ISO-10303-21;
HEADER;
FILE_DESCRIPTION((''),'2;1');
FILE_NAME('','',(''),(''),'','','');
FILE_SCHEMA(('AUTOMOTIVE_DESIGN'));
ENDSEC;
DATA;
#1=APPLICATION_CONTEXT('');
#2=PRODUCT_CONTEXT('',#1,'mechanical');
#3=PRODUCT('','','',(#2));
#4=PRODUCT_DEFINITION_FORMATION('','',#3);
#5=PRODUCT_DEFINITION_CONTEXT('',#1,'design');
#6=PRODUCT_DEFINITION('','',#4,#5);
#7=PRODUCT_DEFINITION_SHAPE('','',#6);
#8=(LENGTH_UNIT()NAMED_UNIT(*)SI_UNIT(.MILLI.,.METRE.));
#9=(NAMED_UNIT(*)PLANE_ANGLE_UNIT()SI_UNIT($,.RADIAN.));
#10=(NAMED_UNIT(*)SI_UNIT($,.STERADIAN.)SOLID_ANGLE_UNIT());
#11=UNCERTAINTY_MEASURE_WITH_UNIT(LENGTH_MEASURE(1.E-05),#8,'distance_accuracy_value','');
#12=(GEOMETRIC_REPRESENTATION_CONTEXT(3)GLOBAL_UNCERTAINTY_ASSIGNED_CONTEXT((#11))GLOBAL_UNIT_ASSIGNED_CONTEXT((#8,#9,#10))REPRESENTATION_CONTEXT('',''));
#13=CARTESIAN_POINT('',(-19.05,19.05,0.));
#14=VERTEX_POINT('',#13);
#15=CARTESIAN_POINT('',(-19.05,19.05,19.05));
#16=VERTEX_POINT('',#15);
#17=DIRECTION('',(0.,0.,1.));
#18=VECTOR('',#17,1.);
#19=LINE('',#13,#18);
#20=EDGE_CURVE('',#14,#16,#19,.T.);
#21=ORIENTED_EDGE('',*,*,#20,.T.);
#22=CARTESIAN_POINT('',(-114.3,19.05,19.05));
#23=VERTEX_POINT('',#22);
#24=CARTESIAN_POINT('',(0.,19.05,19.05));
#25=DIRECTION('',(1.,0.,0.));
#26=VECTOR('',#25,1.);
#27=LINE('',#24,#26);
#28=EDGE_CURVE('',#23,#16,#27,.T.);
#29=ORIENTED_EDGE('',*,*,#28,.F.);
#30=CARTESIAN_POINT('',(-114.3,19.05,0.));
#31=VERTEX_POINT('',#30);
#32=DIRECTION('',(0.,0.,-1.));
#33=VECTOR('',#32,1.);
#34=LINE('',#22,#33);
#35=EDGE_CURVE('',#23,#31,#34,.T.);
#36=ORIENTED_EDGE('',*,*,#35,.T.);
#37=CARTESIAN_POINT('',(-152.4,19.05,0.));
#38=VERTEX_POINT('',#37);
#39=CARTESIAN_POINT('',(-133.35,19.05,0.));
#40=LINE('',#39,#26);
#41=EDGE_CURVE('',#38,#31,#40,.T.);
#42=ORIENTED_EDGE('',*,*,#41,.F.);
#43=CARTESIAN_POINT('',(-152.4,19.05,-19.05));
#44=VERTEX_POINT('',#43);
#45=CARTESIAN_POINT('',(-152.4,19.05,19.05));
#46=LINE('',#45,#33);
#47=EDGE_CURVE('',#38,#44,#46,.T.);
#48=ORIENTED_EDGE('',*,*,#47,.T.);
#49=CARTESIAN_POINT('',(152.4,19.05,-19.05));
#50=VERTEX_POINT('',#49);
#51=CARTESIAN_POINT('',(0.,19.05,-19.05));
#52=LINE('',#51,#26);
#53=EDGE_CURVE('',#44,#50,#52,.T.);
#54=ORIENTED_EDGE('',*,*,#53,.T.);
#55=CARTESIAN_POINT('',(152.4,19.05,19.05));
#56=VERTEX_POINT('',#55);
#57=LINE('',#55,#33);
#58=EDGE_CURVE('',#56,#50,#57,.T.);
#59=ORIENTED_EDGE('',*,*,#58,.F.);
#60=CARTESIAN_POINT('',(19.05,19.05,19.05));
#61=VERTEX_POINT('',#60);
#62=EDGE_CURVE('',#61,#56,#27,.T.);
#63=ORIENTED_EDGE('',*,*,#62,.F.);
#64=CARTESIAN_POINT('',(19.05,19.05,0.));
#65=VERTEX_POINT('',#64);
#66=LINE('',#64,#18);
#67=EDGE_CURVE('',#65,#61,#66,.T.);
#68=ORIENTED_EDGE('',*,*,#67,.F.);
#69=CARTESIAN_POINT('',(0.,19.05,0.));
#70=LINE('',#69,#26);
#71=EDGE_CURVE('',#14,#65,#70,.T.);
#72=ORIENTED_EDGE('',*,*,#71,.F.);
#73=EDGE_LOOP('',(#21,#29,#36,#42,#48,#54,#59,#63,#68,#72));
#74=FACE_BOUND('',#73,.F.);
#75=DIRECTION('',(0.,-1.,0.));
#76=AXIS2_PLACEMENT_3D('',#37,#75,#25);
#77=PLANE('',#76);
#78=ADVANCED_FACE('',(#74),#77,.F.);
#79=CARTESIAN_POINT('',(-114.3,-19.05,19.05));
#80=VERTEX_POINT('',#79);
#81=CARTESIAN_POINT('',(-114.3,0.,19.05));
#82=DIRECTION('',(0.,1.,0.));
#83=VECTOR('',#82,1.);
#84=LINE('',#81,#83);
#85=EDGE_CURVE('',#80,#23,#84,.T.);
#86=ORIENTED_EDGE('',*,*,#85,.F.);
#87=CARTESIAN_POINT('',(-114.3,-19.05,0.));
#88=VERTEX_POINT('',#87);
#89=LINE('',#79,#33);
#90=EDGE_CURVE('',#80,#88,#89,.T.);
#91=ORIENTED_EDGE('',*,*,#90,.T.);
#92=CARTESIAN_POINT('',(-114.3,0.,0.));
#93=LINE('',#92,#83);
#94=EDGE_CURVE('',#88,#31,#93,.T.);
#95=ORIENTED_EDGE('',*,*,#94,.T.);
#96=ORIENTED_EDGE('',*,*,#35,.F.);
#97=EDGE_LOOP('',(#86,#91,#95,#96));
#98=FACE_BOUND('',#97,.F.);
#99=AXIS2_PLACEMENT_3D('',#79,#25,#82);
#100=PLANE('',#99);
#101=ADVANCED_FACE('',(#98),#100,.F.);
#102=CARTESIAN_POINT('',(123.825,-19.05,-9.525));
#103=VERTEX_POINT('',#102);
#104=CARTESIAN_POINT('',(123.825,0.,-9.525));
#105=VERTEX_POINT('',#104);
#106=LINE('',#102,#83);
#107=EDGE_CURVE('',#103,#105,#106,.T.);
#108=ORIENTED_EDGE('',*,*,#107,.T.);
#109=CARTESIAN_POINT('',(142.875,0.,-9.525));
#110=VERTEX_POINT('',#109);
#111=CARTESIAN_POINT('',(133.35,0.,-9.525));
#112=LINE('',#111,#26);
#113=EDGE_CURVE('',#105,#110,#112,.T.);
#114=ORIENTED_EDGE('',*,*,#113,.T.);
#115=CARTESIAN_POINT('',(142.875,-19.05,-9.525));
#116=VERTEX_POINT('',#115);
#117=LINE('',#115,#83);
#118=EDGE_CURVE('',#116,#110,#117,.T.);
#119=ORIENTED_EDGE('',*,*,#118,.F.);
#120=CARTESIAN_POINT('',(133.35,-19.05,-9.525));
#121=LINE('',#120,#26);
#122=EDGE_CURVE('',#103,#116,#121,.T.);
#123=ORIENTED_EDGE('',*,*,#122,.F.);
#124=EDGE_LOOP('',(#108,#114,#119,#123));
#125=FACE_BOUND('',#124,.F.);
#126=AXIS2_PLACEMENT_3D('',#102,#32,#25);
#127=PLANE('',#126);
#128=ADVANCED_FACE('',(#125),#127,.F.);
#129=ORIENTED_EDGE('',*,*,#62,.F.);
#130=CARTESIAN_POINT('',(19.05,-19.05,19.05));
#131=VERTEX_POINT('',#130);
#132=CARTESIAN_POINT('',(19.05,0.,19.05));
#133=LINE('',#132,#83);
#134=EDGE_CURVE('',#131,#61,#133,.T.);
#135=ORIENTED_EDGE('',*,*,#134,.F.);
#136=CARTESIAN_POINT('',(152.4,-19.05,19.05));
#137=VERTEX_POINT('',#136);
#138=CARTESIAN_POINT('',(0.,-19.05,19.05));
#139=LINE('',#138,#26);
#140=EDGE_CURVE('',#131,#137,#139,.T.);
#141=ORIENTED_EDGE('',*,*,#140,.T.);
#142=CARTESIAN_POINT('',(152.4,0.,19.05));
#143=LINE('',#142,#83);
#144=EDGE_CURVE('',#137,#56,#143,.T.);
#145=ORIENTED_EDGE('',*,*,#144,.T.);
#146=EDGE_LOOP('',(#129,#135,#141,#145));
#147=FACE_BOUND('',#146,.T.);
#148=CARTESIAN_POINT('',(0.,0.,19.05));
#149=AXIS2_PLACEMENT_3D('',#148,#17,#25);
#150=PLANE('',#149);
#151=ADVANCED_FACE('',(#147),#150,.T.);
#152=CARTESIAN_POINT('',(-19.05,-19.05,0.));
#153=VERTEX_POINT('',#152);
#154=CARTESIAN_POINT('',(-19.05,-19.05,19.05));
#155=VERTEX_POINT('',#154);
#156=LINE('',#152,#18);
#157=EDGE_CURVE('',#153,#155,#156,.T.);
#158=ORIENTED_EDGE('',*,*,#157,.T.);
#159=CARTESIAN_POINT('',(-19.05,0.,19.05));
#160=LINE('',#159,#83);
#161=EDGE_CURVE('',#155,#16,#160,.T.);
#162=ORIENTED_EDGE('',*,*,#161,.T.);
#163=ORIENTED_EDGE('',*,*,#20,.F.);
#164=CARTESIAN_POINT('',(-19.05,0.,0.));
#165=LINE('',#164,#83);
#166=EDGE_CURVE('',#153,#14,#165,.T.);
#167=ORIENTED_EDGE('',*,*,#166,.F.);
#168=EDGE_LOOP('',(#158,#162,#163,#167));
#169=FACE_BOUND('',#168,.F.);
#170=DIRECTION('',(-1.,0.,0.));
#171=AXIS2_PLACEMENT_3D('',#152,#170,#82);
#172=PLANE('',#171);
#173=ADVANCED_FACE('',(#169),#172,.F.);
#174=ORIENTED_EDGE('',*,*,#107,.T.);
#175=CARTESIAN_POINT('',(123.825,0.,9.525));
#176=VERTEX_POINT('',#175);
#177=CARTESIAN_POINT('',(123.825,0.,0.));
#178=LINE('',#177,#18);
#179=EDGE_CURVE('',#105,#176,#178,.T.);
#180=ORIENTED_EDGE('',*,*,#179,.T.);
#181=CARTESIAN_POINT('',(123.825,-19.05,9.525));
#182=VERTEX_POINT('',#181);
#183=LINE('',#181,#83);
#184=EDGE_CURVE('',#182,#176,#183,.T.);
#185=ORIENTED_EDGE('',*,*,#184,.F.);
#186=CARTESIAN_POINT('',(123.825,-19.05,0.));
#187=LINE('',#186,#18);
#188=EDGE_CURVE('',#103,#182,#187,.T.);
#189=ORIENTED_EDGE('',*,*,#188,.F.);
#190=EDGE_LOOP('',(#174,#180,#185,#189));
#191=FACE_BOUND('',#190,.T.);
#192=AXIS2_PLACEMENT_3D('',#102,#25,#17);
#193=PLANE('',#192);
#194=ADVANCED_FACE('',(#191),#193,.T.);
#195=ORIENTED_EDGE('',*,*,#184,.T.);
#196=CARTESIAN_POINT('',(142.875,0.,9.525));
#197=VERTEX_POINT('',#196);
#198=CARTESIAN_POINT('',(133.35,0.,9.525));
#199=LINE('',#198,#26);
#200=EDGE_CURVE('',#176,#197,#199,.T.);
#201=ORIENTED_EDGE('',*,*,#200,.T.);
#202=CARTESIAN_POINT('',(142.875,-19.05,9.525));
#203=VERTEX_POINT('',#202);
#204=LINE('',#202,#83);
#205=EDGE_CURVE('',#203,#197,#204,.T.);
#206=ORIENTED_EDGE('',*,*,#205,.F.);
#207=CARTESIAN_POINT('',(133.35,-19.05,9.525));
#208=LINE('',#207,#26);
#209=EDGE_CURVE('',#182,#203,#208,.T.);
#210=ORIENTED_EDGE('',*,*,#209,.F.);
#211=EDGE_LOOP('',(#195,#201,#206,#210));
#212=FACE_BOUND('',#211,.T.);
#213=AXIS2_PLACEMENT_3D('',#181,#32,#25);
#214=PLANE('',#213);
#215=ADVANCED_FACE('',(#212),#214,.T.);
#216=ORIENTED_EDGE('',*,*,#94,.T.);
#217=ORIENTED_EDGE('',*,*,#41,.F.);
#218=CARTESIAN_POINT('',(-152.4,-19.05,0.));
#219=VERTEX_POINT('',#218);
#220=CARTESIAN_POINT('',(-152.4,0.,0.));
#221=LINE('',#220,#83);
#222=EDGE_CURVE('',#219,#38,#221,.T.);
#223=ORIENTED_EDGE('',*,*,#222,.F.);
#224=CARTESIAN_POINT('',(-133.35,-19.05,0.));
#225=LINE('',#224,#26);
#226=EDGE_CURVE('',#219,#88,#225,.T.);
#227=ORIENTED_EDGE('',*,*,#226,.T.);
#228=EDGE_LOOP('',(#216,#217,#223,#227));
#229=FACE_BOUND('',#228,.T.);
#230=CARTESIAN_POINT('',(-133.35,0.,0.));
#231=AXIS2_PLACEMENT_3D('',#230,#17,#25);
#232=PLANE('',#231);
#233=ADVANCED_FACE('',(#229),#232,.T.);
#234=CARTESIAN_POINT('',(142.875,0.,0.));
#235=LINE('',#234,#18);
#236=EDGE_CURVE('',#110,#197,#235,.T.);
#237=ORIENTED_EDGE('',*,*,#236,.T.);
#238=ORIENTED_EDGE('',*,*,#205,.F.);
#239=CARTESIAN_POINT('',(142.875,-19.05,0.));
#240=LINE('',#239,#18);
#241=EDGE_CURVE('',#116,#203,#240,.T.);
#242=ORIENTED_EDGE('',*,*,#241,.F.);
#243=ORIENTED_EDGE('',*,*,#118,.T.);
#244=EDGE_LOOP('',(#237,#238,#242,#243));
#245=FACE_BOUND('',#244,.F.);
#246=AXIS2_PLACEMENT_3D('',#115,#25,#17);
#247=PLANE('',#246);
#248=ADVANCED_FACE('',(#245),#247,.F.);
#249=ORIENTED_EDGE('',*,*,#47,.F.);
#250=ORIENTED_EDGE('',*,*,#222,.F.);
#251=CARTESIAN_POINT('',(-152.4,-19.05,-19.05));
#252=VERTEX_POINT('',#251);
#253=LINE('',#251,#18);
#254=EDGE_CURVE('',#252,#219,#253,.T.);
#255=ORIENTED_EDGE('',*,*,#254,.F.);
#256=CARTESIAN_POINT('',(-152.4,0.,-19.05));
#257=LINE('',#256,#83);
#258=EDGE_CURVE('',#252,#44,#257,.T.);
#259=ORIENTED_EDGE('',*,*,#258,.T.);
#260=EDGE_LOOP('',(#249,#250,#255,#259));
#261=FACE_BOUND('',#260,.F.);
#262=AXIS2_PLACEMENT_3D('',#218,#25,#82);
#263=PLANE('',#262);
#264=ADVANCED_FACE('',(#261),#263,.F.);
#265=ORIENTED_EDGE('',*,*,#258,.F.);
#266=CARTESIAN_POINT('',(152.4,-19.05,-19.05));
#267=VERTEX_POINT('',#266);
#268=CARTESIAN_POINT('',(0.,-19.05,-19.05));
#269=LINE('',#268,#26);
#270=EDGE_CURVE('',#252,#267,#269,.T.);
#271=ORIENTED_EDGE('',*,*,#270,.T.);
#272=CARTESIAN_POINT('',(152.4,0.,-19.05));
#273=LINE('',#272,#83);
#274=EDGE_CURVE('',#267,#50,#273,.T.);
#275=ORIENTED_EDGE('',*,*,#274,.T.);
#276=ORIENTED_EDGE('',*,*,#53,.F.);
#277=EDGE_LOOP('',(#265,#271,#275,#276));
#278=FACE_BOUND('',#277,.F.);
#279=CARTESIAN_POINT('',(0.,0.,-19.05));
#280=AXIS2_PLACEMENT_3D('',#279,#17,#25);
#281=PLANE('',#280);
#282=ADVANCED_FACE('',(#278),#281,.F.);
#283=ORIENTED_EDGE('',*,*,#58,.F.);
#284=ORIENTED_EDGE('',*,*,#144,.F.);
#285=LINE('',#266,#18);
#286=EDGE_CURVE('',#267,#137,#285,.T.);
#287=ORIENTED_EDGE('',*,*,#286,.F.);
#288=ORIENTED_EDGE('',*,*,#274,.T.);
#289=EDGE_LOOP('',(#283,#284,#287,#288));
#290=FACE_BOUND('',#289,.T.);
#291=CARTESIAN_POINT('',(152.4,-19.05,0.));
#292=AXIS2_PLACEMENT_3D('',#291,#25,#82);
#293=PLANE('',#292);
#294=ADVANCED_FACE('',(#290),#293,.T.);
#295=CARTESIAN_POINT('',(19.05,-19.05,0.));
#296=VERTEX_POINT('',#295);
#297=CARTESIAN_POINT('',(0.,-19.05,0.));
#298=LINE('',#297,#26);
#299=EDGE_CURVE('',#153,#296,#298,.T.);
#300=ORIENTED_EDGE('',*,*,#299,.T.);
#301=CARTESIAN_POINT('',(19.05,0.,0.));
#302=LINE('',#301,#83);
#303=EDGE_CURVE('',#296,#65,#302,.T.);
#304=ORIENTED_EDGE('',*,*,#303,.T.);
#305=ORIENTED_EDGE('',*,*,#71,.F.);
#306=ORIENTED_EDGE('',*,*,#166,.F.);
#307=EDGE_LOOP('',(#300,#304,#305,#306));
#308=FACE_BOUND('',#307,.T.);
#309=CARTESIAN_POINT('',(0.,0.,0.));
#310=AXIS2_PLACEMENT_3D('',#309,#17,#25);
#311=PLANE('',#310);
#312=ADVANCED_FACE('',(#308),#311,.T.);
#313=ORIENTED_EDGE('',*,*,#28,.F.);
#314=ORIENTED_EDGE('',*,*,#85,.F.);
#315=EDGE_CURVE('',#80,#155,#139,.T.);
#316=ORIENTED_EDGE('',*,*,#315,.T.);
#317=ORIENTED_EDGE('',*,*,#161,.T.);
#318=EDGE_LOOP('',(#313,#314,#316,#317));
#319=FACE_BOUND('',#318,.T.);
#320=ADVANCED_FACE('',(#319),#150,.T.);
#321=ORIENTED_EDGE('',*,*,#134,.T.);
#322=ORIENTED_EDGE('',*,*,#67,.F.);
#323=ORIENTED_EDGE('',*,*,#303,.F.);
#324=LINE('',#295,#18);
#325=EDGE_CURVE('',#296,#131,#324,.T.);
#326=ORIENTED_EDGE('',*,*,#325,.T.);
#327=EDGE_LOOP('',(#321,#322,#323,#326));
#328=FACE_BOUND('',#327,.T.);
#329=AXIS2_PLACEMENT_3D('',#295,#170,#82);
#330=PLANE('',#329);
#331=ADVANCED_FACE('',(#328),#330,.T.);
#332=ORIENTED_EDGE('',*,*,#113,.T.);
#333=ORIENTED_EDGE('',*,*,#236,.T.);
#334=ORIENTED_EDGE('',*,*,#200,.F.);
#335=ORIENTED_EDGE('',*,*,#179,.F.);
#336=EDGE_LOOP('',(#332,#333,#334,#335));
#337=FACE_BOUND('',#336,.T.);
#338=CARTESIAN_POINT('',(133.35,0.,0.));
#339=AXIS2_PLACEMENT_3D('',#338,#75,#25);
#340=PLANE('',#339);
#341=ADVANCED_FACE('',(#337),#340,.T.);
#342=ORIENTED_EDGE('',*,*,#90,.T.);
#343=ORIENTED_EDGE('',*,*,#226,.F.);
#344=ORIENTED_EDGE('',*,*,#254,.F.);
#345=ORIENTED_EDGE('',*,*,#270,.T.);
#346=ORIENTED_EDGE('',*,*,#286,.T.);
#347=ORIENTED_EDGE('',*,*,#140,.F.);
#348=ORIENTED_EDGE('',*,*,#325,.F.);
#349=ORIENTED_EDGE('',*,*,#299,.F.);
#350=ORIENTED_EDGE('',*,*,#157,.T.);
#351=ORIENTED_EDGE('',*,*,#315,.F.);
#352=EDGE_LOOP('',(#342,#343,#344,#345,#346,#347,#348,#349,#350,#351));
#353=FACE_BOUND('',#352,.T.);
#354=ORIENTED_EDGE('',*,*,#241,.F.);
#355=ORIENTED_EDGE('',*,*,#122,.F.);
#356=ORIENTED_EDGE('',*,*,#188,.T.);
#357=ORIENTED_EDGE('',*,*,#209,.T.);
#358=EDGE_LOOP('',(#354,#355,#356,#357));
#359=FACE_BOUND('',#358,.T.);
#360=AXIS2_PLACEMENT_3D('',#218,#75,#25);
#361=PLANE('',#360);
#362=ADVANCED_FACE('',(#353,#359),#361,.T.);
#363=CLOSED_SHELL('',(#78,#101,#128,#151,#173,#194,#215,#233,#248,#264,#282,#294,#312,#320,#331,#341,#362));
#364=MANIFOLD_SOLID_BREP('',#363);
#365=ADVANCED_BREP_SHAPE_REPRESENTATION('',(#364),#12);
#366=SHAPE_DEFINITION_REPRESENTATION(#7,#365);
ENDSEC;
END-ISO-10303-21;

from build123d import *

# Parameters (mm, degrees)
F0_W     = 304.8
F0_H     = 38.1
F1_DEPTH = 19.05
F2_W     = 38.1
F2_H     = 38.1
F3_DEPTH = 19.05
F4_W     = 19.05
F4_H     = 19.05
F5_DEPTH = 19.05
F6_W     = 38.1
F6_H     = 38.1
F7_DEPTH = 19.05


with BuildPart() as f1:
    # F0 (on Top) → F1 (new body, symmetric)
    with BuildSketch(Plane.XY):
        Rectangle(F0_W, F0_H)
    extrude(amount=F1_DEPTH, both=True)

    # F2 (on Top) → F3 (cut)
    with BuildSketch(Plane.XY):
        Rectangle(F2_W, F2_H)
    extrude(amount=F3_DEPTH, mode=Mode.SUBTRACT)

    # F4 (on face) → F5 (cut)
    with BuildSketch(Plane.XZ.offset(19.05)):
        with Locations((133.35, 0)):
            Rectangle(F4_W, F4_H)
    extrude(amount=-F5_DEPTH, mode=Mode.SUBTRACT)

    # F6 (on face) → F7 (cut)
    with BuildSketch(Plane.XY.offset(19.05)):
        with Locations((-133.35, 0)):
            Rectangle(F6_W, F6_H)
    extrude(amount=-F7_DEPTH, mode=Mode.SUBTRACT)


solid = f1.part
